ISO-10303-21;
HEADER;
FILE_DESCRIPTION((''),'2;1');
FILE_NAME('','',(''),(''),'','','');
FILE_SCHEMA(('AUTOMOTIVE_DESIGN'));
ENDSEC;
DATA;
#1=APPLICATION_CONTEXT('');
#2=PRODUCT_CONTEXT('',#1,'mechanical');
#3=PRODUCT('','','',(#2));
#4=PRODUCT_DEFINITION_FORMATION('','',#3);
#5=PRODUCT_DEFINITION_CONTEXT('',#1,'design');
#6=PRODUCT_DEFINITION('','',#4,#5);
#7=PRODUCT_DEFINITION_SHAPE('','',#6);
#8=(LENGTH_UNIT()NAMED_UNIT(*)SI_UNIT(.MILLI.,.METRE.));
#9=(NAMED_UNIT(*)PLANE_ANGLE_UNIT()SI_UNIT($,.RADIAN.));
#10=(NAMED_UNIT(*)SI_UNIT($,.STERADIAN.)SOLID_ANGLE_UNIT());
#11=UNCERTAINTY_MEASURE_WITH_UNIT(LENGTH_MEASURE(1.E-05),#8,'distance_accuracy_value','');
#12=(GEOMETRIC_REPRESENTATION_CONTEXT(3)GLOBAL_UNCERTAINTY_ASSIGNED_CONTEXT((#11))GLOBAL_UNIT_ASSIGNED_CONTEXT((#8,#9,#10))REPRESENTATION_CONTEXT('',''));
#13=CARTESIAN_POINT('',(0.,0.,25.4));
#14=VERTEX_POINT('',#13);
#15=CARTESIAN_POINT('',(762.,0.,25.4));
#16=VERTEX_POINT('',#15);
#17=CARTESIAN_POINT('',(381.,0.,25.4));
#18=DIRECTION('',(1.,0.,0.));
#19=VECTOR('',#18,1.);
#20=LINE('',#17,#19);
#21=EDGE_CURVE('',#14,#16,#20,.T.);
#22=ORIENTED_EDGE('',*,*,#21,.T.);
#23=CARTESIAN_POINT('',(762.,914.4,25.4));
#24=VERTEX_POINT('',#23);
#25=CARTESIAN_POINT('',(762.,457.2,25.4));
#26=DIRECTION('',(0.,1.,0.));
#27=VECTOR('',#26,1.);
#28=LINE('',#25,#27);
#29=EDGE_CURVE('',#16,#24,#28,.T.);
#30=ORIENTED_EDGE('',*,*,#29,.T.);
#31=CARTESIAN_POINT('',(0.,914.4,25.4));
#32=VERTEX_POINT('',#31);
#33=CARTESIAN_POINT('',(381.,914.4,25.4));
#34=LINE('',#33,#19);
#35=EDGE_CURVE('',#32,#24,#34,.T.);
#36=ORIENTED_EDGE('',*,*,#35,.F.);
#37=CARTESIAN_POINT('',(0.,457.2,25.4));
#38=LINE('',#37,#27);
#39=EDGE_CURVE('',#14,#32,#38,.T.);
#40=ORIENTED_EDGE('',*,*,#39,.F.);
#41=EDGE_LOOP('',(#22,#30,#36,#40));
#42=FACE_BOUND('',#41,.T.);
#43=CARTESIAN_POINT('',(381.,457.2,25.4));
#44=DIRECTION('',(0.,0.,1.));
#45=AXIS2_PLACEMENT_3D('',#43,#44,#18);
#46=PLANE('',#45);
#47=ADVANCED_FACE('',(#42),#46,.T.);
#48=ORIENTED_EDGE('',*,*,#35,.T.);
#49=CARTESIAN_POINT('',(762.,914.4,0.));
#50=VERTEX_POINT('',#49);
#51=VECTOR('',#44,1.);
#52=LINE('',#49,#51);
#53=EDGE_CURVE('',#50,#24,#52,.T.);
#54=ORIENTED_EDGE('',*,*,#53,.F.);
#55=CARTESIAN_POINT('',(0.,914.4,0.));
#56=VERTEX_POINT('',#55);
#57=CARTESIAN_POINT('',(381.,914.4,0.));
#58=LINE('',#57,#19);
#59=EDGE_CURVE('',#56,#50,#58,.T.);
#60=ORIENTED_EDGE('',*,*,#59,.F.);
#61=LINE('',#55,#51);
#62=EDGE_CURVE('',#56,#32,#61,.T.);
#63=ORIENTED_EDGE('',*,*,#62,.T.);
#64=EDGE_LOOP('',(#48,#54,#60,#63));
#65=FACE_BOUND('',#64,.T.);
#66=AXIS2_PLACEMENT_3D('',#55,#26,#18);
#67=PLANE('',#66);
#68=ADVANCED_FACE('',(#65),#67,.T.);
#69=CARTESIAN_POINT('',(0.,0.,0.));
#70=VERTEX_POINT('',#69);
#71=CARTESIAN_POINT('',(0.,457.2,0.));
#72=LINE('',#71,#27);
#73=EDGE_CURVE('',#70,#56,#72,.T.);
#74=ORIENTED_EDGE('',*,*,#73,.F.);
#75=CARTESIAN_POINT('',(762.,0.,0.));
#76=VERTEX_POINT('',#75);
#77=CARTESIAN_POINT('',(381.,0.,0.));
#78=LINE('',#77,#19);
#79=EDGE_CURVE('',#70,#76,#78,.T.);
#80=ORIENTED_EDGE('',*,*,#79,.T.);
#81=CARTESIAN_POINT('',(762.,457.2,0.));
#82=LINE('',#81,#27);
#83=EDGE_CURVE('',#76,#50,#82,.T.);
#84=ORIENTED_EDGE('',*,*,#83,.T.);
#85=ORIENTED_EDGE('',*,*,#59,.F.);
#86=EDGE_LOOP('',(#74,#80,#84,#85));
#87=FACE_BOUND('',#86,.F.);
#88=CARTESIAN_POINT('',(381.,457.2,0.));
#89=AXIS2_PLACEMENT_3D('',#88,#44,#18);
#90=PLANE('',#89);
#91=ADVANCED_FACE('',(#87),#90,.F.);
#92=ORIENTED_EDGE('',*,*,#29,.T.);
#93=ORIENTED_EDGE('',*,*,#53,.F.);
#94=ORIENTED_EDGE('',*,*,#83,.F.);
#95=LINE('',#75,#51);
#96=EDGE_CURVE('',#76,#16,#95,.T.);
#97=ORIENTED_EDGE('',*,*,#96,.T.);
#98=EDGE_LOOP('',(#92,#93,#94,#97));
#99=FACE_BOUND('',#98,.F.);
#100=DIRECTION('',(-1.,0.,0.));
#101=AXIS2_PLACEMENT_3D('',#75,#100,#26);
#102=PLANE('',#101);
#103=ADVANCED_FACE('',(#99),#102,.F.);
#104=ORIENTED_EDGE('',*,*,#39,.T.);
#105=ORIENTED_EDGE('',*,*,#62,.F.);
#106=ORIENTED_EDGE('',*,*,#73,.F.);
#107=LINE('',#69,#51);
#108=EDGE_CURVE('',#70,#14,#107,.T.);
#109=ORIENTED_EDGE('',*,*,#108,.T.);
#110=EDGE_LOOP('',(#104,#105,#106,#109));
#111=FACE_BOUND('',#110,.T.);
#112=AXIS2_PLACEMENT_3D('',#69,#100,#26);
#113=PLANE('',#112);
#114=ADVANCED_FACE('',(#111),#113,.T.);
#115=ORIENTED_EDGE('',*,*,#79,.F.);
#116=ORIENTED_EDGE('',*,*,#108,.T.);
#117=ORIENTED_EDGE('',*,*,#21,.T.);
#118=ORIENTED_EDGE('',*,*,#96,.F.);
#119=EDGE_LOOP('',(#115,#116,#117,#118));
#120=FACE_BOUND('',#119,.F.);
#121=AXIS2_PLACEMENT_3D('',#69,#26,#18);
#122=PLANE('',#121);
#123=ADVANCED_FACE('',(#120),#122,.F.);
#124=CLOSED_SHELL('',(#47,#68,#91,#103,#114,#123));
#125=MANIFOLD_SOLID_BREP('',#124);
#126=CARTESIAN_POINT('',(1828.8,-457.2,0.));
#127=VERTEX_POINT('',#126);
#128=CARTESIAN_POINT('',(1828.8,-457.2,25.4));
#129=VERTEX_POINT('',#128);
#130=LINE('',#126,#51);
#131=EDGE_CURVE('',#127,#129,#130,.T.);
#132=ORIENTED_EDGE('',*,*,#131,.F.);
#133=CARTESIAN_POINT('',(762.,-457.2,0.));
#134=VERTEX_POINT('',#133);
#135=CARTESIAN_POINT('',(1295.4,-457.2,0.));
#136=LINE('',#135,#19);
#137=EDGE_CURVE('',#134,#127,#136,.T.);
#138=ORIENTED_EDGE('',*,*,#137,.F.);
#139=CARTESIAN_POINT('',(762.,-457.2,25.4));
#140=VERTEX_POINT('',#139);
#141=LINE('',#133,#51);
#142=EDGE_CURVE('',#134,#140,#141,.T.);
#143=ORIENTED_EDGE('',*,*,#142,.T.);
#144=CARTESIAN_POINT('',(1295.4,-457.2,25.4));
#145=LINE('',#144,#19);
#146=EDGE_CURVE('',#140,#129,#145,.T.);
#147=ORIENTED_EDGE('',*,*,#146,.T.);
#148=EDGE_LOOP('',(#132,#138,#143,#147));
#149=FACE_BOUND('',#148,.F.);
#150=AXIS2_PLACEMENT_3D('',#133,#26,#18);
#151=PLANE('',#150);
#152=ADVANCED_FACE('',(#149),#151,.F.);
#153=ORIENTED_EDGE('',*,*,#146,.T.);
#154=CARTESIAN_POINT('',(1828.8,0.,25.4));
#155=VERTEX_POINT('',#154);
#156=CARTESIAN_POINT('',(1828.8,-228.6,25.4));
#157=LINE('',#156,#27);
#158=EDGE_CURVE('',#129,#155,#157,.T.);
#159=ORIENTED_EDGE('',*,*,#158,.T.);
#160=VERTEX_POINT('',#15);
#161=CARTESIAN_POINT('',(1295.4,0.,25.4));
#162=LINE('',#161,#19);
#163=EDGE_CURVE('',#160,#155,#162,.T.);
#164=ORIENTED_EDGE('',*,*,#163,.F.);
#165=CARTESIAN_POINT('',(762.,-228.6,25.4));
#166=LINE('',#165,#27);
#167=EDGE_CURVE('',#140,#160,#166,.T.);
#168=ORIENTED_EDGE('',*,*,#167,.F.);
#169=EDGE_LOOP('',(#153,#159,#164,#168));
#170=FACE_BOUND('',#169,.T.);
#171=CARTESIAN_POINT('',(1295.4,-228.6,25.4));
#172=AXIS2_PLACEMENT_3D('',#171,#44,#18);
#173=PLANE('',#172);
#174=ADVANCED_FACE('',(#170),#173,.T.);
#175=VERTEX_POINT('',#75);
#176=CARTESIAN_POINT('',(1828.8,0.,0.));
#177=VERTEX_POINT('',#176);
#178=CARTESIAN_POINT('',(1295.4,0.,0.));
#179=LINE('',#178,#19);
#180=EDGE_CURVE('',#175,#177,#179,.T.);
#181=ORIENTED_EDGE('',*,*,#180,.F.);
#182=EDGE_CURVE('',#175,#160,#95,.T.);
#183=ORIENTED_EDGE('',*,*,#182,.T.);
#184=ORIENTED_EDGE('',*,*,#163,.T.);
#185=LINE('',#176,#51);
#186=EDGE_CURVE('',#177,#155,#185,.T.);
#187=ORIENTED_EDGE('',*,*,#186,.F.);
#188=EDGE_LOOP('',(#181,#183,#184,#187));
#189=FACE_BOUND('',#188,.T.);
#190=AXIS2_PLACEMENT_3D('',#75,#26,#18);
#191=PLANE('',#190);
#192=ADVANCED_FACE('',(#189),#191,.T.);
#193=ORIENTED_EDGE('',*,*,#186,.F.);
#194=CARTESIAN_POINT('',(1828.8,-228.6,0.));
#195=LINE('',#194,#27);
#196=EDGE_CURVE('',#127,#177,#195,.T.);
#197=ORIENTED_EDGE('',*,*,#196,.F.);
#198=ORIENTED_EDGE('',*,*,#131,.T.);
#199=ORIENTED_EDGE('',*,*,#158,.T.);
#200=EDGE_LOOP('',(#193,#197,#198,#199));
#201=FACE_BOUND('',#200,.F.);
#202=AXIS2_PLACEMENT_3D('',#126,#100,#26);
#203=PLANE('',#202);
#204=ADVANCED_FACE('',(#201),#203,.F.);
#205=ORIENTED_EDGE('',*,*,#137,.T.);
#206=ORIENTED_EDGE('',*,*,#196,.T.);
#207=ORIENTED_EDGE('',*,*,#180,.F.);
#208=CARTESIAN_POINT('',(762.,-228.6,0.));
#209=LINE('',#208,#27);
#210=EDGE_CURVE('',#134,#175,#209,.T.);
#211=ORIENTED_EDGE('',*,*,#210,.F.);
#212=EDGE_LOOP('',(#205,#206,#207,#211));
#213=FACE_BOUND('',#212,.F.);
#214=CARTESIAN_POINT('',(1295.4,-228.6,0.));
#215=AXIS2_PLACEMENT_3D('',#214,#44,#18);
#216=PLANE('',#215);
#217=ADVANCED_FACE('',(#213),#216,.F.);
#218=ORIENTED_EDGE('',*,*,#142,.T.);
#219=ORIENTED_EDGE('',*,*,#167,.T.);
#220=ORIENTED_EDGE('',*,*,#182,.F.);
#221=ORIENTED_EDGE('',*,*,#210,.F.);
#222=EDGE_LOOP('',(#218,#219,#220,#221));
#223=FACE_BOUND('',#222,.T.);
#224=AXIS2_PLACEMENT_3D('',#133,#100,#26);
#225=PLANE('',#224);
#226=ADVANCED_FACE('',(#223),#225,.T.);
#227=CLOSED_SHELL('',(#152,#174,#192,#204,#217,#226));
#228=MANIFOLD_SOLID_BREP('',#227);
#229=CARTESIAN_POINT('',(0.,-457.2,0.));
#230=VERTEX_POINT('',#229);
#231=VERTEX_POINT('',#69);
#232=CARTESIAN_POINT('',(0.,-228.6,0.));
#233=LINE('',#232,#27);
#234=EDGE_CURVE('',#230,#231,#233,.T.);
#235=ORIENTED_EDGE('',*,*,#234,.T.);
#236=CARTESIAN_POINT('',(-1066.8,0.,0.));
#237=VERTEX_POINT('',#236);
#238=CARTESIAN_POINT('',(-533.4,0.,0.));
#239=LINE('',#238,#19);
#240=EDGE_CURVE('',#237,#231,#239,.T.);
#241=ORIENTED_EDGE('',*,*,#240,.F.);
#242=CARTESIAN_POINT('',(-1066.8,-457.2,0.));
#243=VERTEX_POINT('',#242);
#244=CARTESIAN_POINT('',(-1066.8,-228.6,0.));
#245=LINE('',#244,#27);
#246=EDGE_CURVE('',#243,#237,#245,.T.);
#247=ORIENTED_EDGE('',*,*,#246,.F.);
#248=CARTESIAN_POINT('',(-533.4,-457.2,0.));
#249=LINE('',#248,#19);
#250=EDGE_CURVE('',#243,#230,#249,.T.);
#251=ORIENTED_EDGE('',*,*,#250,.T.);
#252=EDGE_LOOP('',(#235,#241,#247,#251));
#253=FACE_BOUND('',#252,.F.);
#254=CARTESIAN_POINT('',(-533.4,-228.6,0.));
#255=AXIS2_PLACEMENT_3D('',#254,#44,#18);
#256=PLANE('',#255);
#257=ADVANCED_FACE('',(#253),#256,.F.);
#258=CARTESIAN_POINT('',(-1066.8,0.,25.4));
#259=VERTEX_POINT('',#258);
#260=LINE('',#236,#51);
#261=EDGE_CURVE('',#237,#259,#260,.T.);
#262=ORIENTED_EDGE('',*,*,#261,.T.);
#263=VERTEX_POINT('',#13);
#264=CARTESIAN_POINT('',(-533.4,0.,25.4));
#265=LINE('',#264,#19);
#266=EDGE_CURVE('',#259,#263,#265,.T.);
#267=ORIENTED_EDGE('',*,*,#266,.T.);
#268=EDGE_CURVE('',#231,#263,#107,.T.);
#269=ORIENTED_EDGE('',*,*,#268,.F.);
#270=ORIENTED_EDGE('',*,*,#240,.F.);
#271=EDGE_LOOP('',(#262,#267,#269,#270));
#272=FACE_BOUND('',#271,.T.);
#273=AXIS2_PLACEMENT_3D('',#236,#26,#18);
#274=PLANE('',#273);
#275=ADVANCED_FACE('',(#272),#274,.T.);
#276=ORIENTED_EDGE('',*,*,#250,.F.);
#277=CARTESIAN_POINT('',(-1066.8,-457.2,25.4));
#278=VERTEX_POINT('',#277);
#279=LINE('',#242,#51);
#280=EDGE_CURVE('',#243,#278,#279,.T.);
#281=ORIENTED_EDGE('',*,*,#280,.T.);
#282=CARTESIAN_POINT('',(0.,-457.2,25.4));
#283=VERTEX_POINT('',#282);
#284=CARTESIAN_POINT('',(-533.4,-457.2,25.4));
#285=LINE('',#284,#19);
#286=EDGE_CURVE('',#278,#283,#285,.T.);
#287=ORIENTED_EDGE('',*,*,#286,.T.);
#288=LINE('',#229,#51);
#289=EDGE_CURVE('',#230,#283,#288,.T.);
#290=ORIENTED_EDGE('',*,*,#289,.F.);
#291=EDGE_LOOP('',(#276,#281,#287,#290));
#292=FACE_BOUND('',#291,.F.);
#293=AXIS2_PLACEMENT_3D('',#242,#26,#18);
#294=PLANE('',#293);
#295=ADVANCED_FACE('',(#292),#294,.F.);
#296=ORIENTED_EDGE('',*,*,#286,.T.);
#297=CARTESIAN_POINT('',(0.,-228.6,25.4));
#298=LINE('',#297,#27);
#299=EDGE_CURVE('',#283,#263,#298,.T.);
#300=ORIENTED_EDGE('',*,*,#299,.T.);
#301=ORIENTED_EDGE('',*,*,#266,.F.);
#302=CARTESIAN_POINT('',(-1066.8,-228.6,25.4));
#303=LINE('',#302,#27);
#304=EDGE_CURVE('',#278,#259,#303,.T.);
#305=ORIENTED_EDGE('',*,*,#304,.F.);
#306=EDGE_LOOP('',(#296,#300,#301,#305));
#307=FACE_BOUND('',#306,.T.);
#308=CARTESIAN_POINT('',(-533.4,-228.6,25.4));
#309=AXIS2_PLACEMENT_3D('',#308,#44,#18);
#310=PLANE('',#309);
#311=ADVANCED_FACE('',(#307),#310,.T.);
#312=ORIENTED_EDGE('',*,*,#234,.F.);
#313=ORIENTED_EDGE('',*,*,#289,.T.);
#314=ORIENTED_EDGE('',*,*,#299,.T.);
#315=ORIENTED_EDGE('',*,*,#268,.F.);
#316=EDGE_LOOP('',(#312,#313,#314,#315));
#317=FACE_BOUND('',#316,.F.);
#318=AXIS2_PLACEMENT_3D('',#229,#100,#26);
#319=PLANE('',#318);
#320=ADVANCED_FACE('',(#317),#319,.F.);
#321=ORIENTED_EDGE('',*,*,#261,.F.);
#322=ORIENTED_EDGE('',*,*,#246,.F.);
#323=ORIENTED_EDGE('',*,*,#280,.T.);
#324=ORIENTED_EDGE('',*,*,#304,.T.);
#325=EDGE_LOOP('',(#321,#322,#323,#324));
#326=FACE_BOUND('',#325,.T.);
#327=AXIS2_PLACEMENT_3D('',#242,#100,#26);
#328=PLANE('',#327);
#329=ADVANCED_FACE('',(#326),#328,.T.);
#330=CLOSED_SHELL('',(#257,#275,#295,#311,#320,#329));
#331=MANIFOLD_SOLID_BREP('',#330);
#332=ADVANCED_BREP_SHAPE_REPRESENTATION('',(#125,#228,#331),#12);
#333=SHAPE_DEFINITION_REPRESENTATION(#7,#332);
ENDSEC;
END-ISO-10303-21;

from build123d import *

# Parameters (mm, degrees)
F0_W     = 1066.8
F0_H     = 457.2
F0_W_2   = 762
F0_H_2   = 914.4
F1_DEPTH = 25.4


with BuildPart() as f1:
    # F0 (on Top) → F1 (new body)
    with BuildSketch(Plane.XY):
        with Locations((1295.4, -228.6)):
            Rectangle(F0_W, F0_H)
        with Locations((-533.4, -228.6)):
            Rectangle(F0_W, F0_H)
        with Locations((381, 457.2)):
            Rectangle(F0_W_2, F0_H_2)
    extrude(amount=F1_DEPTH)


solid = f1.part
